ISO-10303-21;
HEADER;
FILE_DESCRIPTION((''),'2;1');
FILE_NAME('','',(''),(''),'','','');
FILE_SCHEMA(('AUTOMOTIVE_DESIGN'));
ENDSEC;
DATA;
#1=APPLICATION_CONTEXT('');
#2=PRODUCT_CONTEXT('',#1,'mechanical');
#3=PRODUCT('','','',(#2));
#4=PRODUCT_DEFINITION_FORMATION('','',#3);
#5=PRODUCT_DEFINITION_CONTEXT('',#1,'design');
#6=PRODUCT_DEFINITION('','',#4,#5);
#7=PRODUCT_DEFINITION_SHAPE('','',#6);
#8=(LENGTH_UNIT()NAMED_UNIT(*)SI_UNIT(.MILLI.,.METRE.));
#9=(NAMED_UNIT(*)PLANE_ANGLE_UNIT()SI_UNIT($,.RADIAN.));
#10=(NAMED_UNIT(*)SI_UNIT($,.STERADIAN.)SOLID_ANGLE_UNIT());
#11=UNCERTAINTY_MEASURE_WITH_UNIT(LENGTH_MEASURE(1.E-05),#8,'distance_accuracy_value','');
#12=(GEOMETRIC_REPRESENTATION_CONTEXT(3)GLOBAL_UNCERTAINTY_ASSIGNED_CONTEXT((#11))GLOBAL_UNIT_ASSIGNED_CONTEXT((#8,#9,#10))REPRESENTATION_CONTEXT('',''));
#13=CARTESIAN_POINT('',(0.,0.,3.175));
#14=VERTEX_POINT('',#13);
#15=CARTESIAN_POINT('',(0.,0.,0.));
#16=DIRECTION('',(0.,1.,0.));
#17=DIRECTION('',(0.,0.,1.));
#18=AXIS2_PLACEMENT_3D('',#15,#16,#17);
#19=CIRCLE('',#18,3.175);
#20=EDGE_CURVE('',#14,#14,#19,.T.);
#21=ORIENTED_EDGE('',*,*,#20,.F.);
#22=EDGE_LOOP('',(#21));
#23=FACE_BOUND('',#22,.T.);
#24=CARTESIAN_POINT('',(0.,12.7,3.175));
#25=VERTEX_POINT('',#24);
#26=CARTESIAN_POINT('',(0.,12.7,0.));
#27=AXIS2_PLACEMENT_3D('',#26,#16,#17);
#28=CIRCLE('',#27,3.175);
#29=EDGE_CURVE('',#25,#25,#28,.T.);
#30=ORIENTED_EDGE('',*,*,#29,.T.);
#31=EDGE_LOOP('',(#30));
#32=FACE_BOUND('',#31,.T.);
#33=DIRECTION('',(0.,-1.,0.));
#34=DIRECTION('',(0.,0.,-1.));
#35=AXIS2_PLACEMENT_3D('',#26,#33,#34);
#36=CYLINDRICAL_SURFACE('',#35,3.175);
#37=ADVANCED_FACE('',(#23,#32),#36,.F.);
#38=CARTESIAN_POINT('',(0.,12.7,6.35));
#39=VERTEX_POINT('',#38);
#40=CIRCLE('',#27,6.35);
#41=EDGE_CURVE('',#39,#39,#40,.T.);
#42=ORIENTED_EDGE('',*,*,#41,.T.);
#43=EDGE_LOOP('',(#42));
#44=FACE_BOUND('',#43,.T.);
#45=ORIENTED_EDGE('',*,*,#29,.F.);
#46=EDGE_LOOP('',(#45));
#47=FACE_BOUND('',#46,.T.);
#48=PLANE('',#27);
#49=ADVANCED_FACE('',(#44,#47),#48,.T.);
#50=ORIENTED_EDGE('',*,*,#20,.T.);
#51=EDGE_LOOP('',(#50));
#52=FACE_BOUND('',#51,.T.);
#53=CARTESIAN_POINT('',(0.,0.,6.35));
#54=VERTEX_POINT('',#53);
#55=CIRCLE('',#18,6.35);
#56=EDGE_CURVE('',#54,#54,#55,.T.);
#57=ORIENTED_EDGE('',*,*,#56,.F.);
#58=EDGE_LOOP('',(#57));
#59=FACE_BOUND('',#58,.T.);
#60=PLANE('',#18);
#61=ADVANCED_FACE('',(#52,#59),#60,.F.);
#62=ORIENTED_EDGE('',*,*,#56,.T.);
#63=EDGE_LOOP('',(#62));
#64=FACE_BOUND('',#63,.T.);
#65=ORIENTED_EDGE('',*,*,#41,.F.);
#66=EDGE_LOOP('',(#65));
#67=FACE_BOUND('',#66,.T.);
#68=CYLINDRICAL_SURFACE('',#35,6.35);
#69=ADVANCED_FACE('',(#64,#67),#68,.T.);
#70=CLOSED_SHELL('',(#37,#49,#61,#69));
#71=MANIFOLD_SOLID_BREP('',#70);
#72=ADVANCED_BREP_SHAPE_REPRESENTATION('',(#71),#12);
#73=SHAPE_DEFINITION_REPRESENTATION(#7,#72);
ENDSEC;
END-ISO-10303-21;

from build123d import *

# Parameters (mm, degrees)
SKETCH1_R           = 6.35
SKETCH1_R_2         = 3.175
BOSS_EXTRUDE1_DEPTH = 12.7


with BuildPart() as part:
    # Sketch1 → Boss-Extrude1 (new body)
    with BuildSketch(Plane(origin=(0, 0, 0), x_dir=(1, 0, 0), z_dir=(0, 1, 0))):
        Circle(SKETCH1_R)
        Circle(SKETCH1_R_2, mode=Mode.SUBTRACT)
    extrude(amount=BOSS_EXTRUDE1_DEPTH)


solid = part.part
